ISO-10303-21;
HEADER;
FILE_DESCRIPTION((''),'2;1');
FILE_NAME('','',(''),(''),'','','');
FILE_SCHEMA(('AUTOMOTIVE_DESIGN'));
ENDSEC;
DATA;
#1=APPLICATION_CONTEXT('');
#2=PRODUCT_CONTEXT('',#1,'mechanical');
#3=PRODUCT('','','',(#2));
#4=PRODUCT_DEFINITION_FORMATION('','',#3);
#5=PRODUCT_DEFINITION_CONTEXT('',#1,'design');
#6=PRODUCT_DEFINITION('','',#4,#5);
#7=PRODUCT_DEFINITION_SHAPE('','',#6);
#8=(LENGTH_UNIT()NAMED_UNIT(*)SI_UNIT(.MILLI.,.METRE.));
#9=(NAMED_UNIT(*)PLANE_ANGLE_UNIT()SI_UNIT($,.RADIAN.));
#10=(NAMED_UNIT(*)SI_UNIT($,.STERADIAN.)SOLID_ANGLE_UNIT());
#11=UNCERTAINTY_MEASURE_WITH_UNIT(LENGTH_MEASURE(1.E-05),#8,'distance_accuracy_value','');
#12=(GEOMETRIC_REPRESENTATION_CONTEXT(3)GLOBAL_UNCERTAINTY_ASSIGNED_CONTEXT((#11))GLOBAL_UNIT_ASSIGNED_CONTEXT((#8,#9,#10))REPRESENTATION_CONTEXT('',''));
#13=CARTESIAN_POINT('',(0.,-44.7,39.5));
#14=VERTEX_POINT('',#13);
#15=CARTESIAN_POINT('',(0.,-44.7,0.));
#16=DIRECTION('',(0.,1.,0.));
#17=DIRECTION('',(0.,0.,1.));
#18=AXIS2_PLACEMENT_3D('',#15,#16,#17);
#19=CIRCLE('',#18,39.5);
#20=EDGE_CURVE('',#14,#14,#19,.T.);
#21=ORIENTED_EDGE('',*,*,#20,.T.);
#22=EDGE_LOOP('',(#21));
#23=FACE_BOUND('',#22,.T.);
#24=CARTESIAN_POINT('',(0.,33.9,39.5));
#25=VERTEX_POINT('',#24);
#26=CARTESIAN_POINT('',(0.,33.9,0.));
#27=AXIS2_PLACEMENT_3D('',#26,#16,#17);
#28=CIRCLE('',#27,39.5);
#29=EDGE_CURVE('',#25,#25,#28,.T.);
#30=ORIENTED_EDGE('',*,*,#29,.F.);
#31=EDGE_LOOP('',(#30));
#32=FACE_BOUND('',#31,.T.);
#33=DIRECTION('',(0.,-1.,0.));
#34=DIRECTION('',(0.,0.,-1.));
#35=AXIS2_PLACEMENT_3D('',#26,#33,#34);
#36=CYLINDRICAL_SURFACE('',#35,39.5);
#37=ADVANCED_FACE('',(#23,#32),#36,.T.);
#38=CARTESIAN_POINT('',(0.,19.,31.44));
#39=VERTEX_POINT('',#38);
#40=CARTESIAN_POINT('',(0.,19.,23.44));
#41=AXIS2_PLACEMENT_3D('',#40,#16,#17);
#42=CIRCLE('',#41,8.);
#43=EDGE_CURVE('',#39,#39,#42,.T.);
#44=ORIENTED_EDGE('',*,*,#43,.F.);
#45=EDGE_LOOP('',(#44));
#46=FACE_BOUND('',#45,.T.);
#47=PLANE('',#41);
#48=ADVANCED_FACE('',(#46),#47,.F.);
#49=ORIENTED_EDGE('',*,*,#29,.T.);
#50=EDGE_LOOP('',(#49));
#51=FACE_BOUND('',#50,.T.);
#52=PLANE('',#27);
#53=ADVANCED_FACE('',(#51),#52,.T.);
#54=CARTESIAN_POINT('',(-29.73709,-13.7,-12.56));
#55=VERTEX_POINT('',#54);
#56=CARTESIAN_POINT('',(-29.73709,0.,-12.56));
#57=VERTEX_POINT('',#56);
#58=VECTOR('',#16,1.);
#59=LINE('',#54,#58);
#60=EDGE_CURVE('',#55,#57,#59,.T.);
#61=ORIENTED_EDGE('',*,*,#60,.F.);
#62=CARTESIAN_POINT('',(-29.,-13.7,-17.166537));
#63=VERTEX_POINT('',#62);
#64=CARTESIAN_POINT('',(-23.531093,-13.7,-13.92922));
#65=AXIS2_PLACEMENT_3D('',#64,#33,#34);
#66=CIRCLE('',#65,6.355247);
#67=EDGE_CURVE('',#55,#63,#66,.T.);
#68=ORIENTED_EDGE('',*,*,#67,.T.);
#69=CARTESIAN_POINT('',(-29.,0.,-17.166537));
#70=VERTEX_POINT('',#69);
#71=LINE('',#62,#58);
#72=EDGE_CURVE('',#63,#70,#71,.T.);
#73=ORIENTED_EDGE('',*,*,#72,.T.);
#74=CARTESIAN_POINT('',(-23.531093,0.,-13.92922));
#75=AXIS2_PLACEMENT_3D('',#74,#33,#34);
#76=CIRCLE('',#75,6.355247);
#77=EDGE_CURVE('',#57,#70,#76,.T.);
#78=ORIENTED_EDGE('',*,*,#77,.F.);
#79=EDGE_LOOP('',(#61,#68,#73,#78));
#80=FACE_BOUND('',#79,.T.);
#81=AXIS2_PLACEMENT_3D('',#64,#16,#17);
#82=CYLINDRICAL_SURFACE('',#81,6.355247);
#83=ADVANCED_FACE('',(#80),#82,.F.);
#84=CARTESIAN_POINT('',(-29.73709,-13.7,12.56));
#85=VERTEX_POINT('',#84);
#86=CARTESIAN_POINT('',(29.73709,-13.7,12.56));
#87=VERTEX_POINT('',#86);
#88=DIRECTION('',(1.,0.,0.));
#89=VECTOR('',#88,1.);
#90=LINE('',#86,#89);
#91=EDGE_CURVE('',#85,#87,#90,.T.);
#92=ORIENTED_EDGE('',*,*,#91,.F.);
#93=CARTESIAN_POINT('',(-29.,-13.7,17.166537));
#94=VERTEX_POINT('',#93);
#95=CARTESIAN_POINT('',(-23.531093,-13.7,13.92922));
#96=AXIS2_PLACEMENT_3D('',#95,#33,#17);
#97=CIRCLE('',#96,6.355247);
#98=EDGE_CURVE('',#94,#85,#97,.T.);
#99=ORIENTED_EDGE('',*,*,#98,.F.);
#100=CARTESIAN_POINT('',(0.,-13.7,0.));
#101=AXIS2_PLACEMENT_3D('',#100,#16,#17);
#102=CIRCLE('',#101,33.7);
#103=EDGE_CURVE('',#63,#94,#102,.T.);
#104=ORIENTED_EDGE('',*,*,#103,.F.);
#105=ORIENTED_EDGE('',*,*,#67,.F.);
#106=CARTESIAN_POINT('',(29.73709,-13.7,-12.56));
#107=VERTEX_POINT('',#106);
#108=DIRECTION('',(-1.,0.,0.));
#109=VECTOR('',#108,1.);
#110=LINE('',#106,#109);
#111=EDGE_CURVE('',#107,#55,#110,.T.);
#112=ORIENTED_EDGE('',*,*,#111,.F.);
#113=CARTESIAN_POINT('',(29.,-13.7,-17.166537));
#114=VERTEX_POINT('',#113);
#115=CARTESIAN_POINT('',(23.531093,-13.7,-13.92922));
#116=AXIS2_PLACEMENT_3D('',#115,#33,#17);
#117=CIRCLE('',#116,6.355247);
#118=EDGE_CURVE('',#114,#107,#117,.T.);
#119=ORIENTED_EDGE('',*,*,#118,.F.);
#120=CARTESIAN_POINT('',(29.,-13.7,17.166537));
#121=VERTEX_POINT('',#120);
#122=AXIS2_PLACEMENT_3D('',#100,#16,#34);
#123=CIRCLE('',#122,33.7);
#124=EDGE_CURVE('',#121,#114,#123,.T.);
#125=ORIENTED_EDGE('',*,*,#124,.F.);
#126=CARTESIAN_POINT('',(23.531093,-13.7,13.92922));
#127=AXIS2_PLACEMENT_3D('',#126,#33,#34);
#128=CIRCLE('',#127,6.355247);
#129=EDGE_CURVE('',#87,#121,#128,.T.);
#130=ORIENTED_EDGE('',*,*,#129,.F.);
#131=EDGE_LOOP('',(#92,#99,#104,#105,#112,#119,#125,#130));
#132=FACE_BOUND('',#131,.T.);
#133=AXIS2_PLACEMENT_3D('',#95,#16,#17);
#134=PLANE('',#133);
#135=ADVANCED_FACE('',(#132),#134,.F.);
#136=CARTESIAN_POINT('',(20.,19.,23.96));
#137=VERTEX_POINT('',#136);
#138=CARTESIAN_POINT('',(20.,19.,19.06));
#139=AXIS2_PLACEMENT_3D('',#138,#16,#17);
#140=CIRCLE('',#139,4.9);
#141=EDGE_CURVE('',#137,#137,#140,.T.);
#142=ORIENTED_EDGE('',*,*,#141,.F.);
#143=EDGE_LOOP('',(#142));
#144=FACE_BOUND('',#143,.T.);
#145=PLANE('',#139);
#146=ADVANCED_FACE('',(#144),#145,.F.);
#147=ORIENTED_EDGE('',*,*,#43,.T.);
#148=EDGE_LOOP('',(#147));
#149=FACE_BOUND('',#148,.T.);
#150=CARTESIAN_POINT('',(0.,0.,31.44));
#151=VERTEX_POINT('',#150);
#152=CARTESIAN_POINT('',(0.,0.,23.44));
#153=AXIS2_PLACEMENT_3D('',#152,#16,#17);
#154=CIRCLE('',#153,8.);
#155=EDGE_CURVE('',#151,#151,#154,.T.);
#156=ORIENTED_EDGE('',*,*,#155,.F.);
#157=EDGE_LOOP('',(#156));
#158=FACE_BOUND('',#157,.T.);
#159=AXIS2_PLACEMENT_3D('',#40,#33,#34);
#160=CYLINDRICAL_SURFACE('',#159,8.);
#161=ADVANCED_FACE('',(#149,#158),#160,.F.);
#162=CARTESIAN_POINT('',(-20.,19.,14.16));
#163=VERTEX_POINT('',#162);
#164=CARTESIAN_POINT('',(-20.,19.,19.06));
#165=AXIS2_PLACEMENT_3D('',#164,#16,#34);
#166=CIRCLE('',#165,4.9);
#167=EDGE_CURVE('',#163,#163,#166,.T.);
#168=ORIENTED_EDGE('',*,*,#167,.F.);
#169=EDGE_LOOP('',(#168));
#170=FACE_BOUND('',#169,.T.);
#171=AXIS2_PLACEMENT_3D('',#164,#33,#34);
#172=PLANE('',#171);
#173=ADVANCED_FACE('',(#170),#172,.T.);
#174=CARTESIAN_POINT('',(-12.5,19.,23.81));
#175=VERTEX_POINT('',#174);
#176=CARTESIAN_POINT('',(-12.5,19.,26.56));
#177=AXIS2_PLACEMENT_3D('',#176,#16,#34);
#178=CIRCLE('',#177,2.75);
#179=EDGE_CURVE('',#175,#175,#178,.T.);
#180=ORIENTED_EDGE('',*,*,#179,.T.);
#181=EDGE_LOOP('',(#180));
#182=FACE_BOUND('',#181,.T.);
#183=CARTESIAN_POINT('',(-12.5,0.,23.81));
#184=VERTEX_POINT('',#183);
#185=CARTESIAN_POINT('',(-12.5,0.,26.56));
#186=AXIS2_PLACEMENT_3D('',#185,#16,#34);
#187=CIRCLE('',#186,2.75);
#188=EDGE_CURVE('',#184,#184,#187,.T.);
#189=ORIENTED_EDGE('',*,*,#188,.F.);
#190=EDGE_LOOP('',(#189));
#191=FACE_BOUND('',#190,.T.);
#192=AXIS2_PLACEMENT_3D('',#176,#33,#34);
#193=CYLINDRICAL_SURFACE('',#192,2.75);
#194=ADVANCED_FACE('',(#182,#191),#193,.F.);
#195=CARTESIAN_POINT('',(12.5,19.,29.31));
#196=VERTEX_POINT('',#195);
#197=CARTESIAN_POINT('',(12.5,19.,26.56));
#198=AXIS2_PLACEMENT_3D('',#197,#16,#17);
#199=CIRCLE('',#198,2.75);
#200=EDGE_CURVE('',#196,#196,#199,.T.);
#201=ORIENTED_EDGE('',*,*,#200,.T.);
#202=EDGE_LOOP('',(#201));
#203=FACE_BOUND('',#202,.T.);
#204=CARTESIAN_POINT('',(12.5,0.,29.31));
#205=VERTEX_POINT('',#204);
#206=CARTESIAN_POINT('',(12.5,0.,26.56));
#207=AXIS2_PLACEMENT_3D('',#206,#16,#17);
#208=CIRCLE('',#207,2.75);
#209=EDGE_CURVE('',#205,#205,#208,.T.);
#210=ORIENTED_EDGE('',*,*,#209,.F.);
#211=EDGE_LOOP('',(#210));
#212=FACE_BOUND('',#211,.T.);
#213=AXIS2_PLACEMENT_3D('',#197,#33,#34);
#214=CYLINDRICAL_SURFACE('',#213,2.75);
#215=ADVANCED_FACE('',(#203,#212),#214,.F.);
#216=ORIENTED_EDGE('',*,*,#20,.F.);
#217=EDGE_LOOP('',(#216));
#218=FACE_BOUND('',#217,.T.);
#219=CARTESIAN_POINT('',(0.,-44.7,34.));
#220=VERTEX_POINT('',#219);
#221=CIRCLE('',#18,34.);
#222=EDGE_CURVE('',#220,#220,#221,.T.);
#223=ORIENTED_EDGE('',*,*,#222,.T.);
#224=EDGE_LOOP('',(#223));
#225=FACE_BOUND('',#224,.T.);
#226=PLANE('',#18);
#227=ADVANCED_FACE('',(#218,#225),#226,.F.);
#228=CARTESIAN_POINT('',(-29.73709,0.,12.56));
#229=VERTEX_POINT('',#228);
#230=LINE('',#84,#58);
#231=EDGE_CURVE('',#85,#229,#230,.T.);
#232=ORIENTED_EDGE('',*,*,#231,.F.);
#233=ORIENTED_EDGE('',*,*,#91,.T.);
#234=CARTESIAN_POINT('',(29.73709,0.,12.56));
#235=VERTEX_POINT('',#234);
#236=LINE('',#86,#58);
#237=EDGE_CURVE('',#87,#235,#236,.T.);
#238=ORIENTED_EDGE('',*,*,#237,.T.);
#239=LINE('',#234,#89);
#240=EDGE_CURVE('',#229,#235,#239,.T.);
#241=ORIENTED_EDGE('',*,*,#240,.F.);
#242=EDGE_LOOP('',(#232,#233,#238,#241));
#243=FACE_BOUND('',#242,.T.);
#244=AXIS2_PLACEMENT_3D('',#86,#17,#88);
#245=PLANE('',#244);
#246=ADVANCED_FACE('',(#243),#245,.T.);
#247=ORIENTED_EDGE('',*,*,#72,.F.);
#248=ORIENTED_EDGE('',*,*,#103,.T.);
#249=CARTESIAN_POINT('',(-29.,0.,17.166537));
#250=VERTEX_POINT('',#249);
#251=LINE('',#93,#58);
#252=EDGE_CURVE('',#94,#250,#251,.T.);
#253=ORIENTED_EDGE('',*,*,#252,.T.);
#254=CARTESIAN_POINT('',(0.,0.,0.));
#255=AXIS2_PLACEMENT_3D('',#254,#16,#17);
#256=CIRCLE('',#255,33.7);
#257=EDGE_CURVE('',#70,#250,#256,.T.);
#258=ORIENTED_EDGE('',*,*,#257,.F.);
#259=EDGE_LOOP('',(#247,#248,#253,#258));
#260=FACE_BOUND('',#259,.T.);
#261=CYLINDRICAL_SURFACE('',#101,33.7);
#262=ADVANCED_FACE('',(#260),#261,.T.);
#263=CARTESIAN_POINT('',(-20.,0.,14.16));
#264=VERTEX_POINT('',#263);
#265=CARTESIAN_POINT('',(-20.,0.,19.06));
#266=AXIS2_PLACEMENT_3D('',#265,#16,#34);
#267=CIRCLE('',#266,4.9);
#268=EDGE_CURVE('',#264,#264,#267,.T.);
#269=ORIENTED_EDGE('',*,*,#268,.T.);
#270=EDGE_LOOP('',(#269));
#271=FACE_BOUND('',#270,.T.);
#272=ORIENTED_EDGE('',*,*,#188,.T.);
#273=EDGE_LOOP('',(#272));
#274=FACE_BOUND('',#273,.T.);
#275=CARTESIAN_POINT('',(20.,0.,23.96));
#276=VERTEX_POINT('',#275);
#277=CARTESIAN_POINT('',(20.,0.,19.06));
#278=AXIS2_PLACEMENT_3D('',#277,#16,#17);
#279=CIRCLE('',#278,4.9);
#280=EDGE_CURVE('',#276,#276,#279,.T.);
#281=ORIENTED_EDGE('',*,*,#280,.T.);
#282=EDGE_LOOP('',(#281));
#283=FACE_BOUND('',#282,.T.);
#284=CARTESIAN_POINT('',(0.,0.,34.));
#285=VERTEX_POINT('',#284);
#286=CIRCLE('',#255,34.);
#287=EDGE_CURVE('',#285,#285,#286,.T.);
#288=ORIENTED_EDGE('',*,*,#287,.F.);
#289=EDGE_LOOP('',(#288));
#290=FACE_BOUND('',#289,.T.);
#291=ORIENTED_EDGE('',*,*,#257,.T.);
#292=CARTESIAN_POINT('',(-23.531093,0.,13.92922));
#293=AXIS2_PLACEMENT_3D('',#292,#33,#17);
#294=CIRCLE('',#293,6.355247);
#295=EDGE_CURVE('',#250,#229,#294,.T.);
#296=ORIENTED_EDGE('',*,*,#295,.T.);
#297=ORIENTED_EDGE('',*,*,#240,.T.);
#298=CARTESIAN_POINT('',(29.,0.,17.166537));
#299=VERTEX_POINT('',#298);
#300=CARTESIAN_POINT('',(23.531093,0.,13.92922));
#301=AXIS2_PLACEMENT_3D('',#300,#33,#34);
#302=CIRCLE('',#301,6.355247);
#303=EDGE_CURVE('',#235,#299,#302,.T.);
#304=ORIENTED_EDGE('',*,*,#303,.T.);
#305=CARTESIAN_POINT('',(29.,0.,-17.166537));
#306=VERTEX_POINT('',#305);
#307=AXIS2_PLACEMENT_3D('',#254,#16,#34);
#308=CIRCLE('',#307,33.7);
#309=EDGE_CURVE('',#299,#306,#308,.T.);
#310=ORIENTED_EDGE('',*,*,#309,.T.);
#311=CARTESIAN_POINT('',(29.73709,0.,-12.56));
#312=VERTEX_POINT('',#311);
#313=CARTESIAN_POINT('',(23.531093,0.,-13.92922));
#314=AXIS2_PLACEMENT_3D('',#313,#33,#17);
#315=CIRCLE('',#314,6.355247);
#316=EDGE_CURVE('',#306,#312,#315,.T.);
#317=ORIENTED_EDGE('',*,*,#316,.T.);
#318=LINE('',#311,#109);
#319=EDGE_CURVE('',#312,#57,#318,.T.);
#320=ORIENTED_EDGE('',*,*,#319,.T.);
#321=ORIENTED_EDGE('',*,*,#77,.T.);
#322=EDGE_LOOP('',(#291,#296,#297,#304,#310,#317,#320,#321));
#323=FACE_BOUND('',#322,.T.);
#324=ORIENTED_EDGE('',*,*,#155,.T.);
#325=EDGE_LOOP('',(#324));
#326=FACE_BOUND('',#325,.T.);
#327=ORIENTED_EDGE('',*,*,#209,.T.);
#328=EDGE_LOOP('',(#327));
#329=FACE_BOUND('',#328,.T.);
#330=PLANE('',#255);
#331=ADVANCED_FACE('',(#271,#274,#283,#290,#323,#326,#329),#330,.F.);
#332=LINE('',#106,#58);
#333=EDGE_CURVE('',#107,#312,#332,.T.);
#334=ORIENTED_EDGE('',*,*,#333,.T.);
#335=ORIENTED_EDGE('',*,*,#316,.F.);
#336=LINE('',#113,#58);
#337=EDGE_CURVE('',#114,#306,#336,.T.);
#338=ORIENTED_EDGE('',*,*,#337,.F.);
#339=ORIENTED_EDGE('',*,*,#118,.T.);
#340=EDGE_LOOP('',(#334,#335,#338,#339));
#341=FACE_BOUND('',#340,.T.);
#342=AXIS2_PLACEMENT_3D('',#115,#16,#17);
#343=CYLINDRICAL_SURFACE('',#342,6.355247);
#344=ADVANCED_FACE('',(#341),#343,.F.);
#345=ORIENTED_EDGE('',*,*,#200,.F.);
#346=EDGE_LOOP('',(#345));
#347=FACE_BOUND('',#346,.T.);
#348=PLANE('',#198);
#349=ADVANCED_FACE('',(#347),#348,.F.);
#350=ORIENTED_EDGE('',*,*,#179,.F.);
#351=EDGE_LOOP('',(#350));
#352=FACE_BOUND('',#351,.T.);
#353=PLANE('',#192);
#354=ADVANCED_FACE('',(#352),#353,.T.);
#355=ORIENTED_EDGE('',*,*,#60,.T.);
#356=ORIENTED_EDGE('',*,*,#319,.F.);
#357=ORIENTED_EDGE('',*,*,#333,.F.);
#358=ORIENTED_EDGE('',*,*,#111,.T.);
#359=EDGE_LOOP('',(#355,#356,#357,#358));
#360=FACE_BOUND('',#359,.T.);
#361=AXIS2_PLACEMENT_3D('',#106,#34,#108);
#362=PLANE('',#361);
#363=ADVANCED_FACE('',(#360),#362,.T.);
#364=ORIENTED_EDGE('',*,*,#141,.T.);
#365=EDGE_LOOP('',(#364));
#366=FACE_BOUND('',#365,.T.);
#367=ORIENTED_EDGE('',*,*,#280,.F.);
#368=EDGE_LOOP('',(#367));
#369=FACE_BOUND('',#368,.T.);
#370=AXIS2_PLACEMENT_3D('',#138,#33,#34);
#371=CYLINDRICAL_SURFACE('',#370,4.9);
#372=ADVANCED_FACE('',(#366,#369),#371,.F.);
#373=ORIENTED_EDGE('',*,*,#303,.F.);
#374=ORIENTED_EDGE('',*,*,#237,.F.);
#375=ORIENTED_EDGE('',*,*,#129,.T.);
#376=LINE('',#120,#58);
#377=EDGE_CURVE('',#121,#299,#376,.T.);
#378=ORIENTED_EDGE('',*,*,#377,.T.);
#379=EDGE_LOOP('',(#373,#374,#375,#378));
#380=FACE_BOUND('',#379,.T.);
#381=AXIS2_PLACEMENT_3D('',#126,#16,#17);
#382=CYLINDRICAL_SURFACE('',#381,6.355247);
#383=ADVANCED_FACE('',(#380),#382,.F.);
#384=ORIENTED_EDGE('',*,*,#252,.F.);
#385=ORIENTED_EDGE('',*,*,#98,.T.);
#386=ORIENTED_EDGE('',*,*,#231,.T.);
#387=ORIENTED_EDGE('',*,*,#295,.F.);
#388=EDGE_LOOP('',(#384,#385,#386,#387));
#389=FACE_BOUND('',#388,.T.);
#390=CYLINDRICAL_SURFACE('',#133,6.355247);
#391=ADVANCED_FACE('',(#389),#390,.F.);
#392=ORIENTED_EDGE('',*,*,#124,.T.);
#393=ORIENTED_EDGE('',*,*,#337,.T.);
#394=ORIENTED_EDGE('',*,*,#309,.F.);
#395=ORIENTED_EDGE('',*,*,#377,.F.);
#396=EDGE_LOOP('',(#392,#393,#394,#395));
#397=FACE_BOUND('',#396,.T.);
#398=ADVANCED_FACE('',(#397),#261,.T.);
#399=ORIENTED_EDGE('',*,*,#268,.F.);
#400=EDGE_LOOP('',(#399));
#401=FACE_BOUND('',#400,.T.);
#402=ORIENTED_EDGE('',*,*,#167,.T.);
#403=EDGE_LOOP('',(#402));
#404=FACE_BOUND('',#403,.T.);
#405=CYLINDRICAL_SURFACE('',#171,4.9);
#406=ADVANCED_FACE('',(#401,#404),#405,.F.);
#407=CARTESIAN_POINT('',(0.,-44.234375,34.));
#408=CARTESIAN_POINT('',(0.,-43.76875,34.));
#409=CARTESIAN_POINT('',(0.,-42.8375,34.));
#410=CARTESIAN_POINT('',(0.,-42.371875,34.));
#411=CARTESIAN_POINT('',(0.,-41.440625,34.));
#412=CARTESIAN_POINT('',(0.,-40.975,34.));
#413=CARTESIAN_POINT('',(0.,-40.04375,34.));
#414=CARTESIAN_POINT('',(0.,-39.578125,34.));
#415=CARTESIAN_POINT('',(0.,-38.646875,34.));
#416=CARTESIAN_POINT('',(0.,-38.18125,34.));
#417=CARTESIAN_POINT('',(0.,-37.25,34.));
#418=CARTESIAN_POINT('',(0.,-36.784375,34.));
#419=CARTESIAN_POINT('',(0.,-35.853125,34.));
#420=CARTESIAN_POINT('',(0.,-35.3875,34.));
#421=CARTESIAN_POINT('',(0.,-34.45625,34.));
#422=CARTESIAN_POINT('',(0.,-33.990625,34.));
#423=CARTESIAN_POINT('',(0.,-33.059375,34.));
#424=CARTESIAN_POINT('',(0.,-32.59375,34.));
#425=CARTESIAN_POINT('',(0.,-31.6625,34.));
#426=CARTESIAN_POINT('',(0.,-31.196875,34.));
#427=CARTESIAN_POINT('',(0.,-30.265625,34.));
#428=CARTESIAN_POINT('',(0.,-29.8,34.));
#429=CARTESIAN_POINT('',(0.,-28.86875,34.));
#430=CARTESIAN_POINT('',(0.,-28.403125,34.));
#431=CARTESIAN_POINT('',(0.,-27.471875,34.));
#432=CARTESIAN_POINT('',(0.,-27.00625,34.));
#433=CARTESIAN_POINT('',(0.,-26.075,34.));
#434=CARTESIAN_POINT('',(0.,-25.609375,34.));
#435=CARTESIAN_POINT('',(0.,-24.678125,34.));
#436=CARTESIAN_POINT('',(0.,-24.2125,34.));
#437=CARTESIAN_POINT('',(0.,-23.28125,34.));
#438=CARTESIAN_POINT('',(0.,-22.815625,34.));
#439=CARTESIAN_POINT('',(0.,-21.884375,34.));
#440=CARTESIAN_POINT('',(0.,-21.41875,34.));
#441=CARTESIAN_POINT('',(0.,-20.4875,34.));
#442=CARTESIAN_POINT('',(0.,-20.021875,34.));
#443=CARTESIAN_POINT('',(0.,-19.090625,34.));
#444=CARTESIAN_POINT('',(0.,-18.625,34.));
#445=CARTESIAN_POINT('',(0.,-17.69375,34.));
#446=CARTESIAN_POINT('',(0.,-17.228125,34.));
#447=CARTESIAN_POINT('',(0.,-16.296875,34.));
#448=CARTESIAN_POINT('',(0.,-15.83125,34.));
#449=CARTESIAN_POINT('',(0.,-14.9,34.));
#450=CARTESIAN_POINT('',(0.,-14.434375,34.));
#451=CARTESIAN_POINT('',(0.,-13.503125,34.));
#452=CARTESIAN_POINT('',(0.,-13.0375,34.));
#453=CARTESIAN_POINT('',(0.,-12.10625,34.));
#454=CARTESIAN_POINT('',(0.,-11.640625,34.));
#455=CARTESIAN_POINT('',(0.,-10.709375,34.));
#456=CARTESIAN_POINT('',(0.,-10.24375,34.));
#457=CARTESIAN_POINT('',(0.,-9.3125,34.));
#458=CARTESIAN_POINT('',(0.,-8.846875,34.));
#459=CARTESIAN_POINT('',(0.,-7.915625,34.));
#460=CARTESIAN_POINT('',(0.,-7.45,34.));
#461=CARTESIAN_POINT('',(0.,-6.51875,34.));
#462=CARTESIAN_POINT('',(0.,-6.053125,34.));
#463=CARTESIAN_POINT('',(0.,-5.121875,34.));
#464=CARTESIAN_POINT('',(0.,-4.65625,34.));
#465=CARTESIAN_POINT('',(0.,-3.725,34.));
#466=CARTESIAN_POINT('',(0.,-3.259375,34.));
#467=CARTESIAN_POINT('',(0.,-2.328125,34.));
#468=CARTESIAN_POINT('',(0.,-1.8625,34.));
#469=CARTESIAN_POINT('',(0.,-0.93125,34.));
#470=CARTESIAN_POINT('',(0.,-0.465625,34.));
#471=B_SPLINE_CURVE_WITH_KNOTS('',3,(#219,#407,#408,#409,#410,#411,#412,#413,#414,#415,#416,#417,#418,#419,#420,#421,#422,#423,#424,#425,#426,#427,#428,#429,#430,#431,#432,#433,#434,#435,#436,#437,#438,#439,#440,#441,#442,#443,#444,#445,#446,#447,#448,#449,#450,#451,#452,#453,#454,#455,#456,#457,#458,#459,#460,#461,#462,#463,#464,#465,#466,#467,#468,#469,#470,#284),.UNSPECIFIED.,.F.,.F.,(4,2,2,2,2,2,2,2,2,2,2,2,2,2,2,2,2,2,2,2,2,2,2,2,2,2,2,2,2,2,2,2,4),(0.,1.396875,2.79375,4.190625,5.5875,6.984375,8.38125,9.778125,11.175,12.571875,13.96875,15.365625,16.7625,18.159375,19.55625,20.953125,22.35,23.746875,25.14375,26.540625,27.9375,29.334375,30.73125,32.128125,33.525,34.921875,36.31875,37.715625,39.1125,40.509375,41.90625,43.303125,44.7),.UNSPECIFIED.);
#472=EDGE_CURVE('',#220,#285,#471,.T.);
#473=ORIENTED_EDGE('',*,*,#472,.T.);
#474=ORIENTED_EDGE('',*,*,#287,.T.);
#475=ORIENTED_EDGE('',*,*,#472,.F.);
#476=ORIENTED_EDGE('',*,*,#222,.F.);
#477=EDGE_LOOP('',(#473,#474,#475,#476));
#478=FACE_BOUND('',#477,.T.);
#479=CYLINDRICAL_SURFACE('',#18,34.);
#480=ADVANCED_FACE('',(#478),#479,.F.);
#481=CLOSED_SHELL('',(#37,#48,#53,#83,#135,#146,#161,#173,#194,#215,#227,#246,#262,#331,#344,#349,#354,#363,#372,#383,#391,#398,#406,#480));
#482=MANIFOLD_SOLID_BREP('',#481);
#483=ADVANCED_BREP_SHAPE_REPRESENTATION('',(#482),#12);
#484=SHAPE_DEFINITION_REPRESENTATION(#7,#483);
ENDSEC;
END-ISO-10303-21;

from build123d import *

# Parameters (mm, degrees)
SKETCH1_R           = 39.5
BOSS_EXTRUDE1_DEPTH = 33.9
BOSS_EXTRUDE3_DEPTH = 13.7
BOSS_EXTRUDE4_START = -44.7
SKETCH7_R           = 39.5
SKETCH7_R_2         = 34
BOSS_EXTRUDE4_DEPTH = 44.7
SKETCH8_R           = 8
SKETCH8_R_2         = 2.75
SKETCH8_R_3         = 4.9
CUT_EXTRUDE2_DEPTH  = 19


with BuildPart() as part:
    # Sketch1 → Boss-Extrude1 (new body)
    with BuildSketch(Plane(origin=(0, 0, 0), x_dir=(1, 0, 0), z_dir=(0, 1, 0))):
        with Locations(Location((0, 0, 0), (0, 0, 270))):
            Circle(SKETCH1_R)
    extrude(amount=BOSS_EXTRUDE1_DEPTH)

    # Sketch6 → Boss-Extrude3 (add)
    with BuildSketch(Plane(origin=(0, 0, 0), x_dir=(1, 0, 0), z_dir=(0, 1, 0))):
        with BuildLine():
            Line((29.737090224, 12.56), (-29.737090224, 12.56))
            ThreePointArc((-29.737090224, 12.56), (-29.806512789, 14.933347645), (-29, 17.166537216))
            ThreePointArc((-29, 17.166537216), (-33.7, 0), (-29, -17.166537216))
            ThreePointArc((-29, -17.166537216), (-29.806512789, -14.933347645), (-29.737090224, -12.56))
            Line((-29.737090224, -12.56), (29.737090224, -12.56))
            ThreePointArc((29.737090224, -12.56), (29.806512789, -14.933347645), (29, -17.166537216))
            ThreePointArc((29, -17.166537216), (33.7, 0), (29, 17.166537216))
            ThreePointArc((29, 17.166537216), (29.806512789, 14.933347645), (29.737090224, 12.56))
        make_face()
    extrude(amount=-BOSS_EXTRUDE3_DEPTH)

    # Sketch7 → Boss-Extrude4 (add)
    with BuildSketch(Plane(origin=(0, 0, 0), x_dir=(1, 0, 0), z_dir=(0, 1, 0)).offset(BOSS_EXTRUDE4_START)):
        with Locations(Location((0, 0, 0), (0, 0, 270))):
            Circle(SKETCH7_R)
        with Locations(Location((0, 0, 0), (0, 0, 270))):
            Circle(SKETCH7_R_2, mode=Mode.SUBTRACT)
    extrude(amount=BOSS_EXTRUDE4_DEPTH)

    # Sketch8 → Cut-Extrude2 (cut)
    with BuildSketch(Plane(origin=(0, 0, 0), x_dir=(1, 0, 0), z_dir=(0, 1, 0))):
        with Locations(Location((0, -23.44, 0), (0, 0, 270))):
            Circle(SKETCH8_R)
        with Locations(Location((12.5, -26.56, 0), (0, 0, 270))):
            Circle(SKETCH8_R_2)
        with Locations(Location((20, -19.06, 0), (0, 0, 270))):
            Circle(SKETCH8_R_3)
        with Locations(Location((-12.5, -26.56, 0), (0, 0, 90))):
            Circle(SKETCH8_R_2)
        with Locations(Location((-20, -19.06, 0), (0, 0, 90))):
            Circle(SKETCH8_R_3)
    extrude(amount=CUT_EXTRUDE2_DEPTH, mode=Mode.SUBTRACT)


solid = part.part
